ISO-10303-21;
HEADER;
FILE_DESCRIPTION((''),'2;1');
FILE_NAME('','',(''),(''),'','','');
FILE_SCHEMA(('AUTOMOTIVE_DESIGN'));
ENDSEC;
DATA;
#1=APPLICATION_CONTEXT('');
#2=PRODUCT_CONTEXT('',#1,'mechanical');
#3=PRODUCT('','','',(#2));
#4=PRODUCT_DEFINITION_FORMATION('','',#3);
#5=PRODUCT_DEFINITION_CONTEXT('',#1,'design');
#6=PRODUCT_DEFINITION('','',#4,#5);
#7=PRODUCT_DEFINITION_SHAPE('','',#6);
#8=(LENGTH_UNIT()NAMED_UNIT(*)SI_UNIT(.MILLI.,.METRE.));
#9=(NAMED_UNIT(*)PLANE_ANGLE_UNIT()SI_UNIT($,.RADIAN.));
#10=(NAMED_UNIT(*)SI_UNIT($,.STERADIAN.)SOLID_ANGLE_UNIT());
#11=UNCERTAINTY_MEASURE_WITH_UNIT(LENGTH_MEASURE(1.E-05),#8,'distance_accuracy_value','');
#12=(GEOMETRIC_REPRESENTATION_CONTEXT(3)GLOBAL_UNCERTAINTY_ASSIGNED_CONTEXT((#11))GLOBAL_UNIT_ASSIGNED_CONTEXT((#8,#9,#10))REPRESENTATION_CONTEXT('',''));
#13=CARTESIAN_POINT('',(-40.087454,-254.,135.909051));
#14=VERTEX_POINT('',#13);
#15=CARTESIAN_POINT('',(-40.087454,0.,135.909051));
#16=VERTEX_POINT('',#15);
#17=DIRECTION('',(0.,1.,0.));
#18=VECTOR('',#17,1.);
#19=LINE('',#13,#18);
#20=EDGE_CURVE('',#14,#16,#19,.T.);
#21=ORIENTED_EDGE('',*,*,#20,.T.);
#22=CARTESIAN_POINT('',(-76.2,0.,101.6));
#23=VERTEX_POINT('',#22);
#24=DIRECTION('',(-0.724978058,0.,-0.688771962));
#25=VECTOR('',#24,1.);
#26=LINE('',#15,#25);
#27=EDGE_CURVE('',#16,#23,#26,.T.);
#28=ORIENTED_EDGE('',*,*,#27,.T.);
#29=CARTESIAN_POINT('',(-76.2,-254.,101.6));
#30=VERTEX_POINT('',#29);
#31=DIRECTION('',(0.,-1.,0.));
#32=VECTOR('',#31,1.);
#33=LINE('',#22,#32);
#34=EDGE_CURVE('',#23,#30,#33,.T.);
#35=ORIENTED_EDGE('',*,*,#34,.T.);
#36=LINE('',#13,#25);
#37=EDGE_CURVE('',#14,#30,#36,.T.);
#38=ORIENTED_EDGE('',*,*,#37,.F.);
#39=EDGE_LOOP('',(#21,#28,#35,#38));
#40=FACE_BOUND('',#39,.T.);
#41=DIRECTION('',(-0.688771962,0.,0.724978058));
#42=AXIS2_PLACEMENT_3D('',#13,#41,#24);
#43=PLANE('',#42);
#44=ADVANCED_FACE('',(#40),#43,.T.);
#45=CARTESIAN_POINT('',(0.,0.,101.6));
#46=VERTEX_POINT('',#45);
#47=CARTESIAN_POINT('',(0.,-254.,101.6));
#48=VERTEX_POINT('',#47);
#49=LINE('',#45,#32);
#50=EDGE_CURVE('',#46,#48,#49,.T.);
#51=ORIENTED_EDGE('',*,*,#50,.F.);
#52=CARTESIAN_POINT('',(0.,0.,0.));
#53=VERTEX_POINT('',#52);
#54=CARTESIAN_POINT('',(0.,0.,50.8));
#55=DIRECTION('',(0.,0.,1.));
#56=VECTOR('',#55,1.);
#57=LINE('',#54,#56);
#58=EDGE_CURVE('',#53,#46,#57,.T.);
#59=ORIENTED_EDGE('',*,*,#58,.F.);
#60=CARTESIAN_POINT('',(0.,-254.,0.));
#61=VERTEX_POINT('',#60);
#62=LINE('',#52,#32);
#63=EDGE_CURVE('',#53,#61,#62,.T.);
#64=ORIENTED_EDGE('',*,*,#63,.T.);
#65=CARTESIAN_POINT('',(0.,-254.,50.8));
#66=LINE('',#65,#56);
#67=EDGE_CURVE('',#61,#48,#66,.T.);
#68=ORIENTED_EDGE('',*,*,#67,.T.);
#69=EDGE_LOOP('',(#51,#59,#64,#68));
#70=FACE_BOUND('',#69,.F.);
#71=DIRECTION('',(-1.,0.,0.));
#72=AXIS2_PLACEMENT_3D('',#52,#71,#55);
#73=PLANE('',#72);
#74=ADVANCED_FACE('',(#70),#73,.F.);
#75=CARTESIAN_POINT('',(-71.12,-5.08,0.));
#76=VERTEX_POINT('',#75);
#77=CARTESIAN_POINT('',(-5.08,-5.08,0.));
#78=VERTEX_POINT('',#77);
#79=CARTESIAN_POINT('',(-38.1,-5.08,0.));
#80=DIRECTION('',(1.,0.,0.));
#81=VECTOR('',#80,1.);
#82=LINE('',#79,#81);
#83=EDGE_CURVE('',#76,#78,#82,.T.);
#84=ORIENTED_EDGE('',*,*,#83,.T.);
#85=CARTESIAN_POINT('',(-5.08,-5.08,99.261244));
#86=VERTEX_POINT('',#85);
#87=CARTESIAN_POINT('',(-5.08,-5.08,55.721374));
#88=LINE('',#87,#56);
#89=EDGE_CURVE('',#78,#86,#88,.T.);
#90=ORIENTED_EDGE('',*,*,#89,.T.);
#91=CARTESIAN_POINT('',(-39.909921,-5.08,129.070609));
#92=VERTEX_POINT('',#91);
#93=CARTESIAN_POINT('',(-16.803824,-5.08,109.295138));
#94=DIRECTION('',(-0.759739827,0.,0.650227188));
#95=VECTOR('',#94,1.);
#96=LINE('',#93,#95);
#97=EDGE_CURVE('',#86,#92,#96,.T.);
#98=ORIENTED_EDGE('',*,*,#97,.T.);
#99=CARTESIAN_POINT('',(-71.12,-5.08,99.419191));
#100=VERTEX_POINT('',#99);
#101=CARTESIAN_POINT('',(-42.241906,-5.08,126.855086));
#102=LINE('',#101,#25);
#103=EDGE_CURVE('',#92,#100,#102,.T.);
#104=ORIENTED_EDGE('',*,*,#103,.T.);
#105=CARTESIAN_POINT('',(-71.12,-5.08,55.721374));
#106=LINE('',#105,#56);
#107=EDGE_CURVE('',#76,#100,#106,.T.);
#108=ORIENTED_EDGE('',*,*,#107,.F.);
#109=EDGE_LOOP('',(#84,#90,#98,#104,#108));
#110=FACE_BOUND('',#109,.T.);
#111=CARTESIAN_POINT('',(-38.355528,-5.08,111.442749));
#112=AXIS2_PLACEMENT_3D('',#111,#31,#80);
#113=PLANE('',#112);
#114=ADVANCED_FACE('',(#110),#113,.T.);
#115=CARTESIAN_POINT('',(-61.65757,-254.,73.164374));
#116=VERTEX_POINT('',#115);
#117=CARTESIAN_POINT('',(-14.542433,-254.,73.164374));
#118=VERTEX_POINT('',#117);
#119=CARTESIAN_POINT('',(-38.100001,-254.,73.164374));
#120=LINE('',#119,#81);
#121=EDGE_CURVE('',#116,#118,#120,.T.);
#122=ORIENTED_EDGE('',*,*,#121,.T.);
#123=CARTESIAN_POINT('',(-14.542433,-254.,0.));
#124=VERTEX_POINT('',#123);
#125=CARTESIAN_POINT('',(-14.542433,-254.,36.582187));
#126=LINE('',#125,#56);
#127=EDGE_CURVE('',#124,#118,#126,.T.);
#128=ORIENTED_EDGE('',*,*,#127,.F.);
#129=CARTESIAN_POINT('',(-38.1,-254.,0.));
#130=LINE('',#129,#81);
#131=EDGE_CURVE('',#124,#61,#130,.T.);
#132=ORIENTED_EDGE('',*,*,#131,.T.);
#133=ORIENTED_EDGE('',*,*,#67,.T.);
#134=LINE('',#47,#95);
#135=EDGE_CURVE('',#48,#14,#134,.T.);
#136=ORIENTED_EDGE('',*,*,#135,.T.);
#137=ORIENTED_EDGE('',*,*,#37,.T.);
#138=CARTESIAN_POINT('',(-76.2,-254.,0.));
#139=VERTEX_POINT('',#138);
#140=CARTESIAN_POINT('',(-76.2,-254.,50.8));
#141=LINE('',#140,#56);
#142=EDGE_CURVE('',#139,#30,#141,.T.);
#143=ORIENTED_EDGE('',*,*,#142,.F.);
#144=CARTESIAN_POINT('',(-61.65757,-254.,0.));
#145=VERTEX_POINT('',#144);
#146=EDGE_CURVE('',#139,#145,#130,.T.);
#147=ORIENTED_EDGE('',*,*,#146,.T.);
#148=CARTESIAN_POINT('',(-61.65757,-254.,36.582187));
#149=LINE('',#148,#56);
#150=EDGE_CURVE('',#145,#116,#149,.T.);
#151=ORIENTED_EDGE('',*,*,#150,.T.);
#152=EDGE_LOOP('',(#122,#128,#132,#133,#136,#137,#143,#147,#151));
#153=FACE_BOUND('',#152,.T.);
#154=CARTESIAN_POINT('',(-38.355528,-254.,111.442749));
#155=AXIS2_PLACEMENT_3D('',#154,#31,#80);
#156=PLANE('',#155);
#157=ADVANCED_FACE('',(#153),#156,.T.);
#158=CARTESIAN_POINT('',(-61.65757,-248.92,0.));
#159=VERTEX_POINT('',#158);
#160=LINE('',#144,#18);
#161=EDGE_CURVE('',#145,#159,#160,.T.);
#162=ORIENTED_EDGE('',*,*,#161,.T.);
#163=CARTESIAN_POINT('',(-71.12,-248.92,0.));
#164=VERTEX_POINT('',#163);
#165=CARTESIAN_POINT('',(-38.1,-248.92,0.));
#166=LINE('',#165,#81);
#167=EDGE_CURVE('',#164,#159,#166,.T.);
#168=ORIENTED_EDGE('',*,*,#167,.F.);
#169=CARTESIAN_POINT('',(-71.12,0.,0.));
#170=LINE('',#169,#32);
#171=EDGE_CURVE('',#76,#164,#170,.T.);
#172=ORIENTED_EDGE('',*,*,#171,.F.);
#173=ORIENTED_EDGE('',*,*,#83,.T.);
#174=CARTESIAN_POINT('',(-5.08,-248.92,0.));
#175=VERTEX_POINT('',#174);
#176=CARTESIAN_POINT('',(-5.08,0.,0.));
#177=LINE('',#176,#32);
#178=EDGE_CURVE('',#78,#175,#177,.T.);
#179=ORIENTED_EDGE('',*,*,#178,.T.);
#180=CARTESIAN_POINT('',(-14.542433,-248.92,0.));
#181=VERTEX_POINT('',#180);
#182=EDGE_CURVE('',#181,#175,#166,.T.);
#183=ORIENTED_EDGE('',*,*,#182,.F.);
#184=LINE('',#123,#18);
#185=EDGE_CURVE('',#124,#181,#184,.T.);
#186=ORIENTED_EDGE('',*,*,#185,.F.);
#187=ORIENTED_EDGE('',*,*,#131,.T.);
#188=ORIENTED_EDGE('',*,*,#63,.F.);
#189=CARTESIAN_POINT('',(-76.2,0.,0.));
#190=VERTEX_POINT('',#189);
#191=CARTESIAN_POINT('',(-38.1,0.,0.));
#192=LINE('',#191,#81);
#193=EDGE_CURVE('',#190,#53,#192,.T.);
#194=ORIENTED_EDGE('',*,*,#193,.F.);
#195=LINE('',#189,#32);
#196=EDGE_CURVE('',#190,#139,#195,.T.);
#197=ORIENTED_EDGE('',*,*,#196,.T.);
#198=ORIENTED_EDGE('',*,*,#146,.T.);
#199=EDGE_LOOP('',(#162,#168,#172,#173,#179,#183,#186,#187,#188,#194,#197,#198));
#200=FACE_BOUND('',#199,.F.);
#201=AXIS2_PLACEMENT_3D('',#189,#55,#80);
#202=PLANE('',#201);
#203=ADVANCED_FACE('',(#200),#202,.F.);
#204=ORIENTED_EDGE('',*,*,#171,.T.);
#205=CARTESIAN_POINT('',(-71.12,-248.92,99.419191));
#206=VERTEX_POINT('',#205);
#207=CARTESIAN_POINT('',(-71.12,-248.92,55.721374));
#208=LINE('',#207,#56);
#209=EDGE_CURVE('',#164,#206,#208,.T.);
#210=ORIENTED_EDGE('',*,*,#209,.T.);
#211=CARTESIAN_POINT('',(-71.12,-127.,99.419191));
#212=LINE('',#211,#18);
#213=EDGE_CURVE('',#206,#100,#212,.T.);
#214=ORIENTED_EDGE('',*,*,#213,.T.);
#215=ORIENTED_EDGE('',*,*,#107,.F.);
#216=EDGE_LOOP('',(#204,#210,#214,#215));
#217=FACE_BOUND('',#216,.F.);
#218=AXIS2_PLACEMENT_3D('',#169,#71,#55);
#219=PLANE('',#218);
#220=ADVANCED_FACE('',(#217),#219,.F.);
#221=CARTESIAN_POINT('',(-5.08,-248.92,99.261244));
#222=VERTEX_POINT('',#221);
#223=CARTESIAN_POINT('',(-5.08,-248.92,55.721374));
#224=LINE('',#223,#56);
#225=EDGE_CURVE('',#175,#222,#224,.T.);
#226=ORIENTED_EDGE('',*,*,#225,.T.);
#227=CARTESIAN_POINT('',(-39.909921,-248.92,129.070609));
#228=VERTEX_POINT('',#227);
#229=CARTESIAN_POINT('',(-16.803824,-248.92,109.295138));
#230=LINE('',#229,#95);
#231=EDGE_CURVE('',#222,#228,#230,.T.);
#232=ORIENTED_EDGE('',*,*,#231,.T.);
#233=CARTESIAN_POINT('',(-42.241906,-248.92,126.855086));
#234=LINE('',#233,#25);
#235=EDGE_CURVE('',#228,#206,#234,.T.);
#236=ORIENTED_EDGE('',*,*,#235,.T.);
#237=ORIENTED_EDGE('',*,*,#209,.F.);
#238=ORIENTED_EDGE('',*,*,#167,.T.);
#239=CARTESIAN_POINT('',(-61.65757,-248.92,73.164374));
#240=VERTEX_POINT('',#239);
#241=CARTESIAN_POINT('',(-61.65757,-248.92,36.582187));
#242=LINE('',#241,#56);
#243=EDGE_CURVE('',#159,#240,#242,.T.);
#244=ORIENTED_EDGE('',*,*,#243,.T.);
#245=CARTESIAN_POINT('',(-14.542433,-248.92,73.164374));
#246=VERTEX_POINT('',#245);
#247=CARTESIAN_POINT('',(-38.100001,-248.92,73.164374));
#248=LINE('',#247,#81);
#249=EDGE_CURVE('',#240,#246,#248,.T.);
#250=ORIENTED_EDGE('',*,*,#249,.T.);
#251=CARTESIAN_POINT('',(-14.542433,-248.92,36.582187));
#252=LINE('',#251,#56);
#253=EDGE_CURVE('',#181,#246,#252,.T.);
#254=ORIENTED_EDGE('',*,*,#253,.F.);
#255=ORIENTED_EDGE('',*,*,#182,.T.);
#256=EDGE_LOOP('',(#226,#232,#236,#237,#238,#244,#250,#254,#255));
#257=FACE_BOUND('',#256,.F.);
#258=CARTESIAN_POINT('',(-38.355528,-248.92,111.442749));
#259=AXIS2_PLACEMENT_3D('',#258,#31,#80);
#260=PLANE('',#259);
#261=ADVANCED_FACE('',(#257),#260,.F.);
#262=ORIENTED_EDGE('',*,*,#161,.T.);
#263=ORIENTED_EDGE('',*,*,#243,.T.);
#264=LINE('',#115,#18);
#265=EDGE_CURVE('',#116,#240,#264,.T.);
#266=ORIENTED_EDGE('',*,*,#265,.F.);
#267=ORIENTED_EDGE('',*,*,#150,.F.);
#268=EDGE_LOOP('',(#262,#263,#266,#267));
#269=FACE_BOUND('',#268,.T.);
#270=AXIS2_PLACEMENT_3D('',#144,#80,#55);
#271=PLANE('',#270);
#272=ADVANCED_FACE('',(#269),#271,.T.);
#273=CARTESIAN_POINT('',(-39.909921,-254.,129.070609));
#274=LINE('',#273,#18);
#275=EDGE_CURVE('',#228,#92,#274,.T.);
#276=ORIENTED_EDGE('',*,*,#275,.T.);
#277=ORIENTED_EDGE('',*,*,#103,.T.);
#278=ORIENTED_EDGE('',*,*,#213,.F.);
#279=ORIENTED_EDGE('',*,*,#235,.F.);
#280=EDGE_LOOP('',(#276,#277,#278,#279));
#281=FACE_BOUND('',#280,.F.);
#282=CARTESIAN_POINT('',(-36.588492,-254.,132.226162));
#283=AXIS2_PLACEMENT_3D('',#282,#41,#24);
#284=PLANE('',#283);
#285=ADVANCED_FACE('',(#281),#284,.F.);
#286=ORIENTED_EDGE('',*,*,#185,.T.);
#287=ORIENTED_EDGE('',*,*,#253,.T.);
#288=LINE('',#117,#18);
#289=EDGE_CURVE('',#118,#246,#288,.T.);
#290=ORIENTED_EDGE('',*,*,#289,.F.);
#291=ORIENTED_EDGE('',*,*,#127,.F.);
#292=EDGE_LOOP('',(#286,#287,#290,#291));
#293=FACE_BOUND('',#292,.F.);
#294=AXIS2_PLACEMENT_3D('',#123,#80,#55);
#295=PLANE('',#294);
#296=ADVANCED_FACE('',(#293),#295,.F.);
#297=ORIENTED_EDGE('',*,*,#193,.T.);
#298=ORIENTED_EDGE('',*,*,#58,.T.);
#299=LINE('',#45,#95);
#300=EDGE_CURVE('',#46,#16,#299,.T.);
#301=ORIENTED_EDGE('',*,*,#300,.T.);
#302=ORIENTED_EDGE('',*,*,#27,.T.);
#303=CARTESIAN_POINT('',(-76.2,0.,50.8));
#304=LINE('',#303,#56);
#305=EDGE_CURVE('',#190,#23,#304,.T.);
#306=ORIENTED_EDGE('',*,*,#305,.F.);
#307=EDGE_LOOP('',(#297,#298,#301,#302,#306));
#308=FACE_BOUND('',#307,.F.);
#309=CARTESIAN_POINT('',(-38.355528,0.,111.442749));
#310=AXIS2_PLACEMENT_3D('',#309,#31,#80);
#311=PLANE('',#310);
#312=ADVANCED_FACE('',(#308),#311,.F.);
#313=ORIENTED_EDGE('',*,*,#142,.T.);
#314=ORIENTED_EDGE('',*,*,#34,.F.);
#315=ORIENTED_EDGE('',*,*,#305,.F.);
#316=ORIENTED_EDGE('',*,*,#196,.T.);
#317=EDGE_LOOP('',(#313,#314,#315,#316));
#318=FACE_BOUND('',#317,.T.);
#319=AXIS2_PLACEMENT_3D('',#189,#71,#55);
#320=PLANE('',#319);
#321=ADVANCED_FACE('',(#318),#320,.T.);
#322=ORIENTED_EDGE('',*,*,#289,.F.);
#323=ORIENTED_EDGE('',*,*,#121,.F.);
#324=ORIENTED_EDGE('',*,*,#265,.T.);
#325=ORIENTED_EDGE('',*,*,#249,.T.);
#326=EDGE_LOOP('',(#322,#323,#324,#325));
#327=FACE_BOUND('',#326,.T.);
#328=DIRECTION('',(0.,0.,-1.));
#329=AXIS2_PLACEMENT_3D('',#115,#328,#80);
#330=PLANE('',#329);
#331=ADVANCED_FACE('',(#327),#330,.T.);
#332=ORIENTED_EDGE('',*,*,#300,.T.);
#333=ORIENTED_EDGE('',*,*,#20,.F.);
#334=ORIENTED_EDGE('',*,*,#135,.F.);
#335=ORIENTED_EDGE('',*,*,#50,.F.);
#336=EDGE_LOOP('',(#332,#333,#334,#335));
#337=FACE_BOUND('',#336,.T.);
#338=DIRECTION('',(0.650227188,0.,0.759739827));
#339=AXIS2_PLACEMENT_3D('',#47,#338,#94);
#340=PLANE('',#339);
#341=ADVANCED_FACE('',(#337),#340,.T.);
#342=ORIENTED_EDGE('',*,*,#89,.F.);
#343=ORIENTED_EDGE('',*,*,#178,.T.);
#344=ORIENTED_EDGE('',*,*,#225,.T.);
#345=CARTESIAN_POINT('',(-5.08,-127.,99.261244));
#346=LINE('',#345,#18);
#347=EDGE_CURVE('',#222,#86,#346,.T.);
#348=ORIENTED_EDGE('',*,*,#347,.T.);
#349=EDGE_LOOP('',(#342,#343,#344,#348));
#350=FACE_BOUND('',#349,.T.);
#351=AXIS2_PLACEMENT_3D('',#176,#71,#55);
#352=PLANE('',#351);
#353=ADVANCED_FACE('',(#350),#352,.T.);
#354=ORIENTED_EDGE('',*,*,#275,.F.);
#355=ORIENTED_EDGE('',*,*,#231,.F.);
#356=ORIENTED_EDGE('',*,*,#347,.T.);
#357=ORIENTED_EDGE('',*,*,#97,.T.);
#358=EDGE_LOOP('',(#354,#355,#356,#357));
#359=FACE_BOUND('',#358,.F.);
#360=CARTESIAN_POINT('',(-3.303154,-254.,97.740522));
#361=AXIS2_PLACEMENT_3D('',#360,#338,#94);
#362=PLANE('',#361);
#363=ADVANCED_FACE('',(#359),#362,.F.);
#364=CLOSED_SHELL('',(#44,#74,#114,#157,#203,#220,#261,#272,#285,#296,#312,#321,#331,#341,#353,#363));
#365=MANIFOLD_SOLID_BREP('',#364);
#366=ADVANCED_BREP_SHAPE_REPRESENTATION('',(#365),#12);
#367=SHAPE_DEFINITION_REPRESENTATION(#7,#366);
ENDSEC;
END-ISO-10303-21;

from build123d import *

# Parameters (mm, degrees)
F0_W     = 76.2
F0_H     = 101.6
F1_DEPTH = 254
F3_DEPTH = 254
F4_T     = -5.08
F5_W     = 47.115137
F5_H     = 73.164374
F6_DEPTH = 5.08


with BuildPart() as f1:
    # F0 (on Front) → F1 (new body)
    with BuildSketch(Plane.XZ):
        with Locations((-38.1, 50.8)):
            Rectangle(F0_W, F0_H)
    extrude(amount=F1_DEPTH)

    # F2 (on face) → F3 (join)
    with BuildSketch(Plane.XZ.offset(254)):
        Polygon((-40.087454, 135.909051), (-76.2, 101.6), (0, 101.6), align=None)
    extrude(amount=-F3_DEPTH)

    # F4
    f4_openings = [f1.faces().sort_by_distance(p)[0] for p in [
        (-38.1, -127, 0),
    ]]
    offset(amount=F4_T, openings=f4_openings)

    # F5 (on face) → F6 (cut, through all)
    with BuildSketch(Plane.XZ.offset(254)):
        with Locations((-38.100001, 36.582187)):
            Rectangle(F5_W, F5_H)
    extrude(amount=-F6_DEPTH, mode=Mode.SUBTRACT)


solid = f1.part
